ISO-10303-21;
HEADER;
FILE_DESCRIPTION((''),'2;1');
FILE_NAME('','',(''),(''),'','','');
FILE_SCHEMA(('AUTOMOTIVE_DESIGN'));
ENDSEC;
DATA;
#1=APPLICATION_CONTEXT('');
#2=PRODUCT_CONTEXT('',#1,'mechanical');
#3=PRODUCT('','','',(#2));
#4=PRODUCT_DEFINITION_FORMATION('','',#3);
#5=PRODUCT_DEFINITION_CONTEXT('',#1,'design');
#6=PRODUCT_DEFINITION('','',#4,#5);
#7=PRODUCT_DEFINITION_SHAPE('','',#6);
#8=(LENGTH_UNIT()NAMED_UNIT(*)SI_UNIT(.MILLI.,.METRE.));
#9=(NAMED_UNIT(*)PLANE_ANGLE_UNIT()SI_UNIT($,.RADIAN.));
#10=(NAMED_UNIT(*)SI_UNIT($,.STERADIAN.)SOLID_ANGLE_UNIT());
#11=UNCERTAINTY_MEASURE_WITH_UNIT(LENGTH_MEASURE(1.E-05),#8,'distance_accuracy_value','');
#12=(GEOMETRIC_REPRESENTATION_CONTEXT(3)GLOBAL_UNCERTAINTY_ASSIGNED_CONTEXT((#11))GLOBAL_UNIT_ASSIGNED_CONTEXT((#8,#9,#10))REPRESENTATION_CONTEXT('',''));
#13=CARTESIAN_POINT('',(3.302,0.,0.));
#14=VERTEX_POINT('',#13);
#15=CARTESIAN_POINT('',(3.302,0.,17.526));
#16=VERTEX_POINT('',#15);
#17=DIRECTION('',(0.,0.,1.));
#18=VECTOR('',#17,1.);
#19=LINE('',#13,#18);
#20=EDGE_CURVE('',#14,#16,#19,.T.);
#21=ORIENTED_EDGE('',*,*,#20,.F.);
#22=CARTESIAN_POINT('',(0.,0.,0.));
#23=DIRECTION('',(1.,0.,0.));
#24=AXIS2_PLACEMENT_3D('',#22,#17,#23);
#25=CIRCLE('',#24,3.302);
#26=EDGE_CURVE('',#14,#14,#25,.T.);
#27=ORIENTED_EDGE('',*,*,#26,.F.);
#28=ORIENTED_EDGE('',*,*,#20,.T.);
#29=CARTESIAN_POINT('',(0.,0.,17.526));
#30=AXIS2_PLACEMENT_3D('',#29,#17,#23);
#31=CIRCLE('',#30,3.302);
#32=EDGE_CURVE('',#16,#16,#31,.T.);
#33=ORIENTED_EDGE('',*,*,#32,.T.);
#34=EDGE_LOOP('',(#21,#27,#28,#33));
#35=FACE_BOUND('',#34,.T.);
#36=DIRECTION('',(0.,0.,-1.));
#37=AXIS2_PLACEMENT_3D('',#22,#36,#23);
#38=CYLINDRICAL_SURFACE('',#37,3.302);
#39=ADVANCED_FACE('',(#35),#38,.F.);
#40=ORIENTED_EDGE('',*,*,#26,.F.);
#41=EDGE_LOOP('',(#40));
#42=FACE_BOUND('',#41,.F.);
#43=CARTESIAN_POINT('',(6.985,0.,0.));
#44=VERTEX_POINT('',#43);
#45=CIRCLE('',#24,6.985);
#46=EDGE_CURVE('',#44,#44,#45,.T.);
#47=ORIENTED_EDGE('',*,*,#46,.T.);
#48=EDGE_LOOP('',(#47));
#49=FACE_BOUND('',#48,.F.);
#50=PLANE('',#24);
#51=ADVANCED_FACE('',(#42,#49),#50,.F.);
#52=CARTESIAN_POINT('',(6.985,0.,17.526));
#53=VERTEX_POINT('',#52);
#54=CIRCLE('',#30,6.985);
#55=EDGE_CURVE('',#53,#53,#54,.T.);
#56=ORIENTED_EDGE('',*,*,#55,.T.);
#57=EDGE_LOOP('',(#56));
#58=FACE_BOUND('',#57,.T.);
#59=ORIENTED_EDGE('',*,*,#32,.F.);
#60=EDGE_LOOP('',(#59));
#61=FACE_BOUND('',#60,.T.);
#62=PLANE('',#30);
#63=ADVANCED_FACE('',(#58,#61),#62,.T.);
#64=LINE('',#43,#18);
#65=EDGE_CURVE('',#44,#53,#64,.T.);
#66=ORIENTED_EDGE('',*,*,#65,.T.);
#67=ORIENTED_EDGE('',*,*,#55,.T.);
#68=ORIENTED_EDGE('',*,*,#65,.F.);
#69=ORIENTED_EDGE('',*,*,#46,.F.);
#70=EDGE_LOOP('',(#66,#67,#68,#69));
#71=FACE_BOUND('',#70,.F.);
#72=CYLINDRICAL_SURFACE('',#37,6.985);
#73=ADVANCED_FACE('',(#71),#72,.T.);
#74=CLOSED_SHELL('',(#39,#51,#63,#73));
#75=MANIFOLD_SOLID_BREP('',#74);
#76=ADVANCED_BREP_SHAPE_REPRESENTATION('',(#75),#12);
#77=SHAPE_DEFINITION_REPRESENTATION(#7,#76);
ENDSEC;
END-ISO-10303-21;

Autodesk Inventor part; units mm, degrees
ref_plane "YZ Plane" through (0, 0, 0) normal (1, 0, 0) x (0, 1, 0)
ref_plane "XZ Plane" through (0, 0, 0) normal (0, 1, 0) x (-1, 0, 0)
ref_plane "XY Plane" through (0, 0, 0) normal (0, 0, 1) x (1, 0, 0)
sketch "Sketch1" plane through (0, 0, 0) normal (0, 0, 1) x (1, 0, 0)
  circle A0 centre (0, 0) radius 3.302
  circle A1 centre (0, 0) radius 6.985
  dimension "d0" = 6.604
  dimension "d1" = 13.97
extrude "Extrusion1" add sketch "Sketch1" along normal blind 17.526
properties part number "0_69inchClawSpacer"
